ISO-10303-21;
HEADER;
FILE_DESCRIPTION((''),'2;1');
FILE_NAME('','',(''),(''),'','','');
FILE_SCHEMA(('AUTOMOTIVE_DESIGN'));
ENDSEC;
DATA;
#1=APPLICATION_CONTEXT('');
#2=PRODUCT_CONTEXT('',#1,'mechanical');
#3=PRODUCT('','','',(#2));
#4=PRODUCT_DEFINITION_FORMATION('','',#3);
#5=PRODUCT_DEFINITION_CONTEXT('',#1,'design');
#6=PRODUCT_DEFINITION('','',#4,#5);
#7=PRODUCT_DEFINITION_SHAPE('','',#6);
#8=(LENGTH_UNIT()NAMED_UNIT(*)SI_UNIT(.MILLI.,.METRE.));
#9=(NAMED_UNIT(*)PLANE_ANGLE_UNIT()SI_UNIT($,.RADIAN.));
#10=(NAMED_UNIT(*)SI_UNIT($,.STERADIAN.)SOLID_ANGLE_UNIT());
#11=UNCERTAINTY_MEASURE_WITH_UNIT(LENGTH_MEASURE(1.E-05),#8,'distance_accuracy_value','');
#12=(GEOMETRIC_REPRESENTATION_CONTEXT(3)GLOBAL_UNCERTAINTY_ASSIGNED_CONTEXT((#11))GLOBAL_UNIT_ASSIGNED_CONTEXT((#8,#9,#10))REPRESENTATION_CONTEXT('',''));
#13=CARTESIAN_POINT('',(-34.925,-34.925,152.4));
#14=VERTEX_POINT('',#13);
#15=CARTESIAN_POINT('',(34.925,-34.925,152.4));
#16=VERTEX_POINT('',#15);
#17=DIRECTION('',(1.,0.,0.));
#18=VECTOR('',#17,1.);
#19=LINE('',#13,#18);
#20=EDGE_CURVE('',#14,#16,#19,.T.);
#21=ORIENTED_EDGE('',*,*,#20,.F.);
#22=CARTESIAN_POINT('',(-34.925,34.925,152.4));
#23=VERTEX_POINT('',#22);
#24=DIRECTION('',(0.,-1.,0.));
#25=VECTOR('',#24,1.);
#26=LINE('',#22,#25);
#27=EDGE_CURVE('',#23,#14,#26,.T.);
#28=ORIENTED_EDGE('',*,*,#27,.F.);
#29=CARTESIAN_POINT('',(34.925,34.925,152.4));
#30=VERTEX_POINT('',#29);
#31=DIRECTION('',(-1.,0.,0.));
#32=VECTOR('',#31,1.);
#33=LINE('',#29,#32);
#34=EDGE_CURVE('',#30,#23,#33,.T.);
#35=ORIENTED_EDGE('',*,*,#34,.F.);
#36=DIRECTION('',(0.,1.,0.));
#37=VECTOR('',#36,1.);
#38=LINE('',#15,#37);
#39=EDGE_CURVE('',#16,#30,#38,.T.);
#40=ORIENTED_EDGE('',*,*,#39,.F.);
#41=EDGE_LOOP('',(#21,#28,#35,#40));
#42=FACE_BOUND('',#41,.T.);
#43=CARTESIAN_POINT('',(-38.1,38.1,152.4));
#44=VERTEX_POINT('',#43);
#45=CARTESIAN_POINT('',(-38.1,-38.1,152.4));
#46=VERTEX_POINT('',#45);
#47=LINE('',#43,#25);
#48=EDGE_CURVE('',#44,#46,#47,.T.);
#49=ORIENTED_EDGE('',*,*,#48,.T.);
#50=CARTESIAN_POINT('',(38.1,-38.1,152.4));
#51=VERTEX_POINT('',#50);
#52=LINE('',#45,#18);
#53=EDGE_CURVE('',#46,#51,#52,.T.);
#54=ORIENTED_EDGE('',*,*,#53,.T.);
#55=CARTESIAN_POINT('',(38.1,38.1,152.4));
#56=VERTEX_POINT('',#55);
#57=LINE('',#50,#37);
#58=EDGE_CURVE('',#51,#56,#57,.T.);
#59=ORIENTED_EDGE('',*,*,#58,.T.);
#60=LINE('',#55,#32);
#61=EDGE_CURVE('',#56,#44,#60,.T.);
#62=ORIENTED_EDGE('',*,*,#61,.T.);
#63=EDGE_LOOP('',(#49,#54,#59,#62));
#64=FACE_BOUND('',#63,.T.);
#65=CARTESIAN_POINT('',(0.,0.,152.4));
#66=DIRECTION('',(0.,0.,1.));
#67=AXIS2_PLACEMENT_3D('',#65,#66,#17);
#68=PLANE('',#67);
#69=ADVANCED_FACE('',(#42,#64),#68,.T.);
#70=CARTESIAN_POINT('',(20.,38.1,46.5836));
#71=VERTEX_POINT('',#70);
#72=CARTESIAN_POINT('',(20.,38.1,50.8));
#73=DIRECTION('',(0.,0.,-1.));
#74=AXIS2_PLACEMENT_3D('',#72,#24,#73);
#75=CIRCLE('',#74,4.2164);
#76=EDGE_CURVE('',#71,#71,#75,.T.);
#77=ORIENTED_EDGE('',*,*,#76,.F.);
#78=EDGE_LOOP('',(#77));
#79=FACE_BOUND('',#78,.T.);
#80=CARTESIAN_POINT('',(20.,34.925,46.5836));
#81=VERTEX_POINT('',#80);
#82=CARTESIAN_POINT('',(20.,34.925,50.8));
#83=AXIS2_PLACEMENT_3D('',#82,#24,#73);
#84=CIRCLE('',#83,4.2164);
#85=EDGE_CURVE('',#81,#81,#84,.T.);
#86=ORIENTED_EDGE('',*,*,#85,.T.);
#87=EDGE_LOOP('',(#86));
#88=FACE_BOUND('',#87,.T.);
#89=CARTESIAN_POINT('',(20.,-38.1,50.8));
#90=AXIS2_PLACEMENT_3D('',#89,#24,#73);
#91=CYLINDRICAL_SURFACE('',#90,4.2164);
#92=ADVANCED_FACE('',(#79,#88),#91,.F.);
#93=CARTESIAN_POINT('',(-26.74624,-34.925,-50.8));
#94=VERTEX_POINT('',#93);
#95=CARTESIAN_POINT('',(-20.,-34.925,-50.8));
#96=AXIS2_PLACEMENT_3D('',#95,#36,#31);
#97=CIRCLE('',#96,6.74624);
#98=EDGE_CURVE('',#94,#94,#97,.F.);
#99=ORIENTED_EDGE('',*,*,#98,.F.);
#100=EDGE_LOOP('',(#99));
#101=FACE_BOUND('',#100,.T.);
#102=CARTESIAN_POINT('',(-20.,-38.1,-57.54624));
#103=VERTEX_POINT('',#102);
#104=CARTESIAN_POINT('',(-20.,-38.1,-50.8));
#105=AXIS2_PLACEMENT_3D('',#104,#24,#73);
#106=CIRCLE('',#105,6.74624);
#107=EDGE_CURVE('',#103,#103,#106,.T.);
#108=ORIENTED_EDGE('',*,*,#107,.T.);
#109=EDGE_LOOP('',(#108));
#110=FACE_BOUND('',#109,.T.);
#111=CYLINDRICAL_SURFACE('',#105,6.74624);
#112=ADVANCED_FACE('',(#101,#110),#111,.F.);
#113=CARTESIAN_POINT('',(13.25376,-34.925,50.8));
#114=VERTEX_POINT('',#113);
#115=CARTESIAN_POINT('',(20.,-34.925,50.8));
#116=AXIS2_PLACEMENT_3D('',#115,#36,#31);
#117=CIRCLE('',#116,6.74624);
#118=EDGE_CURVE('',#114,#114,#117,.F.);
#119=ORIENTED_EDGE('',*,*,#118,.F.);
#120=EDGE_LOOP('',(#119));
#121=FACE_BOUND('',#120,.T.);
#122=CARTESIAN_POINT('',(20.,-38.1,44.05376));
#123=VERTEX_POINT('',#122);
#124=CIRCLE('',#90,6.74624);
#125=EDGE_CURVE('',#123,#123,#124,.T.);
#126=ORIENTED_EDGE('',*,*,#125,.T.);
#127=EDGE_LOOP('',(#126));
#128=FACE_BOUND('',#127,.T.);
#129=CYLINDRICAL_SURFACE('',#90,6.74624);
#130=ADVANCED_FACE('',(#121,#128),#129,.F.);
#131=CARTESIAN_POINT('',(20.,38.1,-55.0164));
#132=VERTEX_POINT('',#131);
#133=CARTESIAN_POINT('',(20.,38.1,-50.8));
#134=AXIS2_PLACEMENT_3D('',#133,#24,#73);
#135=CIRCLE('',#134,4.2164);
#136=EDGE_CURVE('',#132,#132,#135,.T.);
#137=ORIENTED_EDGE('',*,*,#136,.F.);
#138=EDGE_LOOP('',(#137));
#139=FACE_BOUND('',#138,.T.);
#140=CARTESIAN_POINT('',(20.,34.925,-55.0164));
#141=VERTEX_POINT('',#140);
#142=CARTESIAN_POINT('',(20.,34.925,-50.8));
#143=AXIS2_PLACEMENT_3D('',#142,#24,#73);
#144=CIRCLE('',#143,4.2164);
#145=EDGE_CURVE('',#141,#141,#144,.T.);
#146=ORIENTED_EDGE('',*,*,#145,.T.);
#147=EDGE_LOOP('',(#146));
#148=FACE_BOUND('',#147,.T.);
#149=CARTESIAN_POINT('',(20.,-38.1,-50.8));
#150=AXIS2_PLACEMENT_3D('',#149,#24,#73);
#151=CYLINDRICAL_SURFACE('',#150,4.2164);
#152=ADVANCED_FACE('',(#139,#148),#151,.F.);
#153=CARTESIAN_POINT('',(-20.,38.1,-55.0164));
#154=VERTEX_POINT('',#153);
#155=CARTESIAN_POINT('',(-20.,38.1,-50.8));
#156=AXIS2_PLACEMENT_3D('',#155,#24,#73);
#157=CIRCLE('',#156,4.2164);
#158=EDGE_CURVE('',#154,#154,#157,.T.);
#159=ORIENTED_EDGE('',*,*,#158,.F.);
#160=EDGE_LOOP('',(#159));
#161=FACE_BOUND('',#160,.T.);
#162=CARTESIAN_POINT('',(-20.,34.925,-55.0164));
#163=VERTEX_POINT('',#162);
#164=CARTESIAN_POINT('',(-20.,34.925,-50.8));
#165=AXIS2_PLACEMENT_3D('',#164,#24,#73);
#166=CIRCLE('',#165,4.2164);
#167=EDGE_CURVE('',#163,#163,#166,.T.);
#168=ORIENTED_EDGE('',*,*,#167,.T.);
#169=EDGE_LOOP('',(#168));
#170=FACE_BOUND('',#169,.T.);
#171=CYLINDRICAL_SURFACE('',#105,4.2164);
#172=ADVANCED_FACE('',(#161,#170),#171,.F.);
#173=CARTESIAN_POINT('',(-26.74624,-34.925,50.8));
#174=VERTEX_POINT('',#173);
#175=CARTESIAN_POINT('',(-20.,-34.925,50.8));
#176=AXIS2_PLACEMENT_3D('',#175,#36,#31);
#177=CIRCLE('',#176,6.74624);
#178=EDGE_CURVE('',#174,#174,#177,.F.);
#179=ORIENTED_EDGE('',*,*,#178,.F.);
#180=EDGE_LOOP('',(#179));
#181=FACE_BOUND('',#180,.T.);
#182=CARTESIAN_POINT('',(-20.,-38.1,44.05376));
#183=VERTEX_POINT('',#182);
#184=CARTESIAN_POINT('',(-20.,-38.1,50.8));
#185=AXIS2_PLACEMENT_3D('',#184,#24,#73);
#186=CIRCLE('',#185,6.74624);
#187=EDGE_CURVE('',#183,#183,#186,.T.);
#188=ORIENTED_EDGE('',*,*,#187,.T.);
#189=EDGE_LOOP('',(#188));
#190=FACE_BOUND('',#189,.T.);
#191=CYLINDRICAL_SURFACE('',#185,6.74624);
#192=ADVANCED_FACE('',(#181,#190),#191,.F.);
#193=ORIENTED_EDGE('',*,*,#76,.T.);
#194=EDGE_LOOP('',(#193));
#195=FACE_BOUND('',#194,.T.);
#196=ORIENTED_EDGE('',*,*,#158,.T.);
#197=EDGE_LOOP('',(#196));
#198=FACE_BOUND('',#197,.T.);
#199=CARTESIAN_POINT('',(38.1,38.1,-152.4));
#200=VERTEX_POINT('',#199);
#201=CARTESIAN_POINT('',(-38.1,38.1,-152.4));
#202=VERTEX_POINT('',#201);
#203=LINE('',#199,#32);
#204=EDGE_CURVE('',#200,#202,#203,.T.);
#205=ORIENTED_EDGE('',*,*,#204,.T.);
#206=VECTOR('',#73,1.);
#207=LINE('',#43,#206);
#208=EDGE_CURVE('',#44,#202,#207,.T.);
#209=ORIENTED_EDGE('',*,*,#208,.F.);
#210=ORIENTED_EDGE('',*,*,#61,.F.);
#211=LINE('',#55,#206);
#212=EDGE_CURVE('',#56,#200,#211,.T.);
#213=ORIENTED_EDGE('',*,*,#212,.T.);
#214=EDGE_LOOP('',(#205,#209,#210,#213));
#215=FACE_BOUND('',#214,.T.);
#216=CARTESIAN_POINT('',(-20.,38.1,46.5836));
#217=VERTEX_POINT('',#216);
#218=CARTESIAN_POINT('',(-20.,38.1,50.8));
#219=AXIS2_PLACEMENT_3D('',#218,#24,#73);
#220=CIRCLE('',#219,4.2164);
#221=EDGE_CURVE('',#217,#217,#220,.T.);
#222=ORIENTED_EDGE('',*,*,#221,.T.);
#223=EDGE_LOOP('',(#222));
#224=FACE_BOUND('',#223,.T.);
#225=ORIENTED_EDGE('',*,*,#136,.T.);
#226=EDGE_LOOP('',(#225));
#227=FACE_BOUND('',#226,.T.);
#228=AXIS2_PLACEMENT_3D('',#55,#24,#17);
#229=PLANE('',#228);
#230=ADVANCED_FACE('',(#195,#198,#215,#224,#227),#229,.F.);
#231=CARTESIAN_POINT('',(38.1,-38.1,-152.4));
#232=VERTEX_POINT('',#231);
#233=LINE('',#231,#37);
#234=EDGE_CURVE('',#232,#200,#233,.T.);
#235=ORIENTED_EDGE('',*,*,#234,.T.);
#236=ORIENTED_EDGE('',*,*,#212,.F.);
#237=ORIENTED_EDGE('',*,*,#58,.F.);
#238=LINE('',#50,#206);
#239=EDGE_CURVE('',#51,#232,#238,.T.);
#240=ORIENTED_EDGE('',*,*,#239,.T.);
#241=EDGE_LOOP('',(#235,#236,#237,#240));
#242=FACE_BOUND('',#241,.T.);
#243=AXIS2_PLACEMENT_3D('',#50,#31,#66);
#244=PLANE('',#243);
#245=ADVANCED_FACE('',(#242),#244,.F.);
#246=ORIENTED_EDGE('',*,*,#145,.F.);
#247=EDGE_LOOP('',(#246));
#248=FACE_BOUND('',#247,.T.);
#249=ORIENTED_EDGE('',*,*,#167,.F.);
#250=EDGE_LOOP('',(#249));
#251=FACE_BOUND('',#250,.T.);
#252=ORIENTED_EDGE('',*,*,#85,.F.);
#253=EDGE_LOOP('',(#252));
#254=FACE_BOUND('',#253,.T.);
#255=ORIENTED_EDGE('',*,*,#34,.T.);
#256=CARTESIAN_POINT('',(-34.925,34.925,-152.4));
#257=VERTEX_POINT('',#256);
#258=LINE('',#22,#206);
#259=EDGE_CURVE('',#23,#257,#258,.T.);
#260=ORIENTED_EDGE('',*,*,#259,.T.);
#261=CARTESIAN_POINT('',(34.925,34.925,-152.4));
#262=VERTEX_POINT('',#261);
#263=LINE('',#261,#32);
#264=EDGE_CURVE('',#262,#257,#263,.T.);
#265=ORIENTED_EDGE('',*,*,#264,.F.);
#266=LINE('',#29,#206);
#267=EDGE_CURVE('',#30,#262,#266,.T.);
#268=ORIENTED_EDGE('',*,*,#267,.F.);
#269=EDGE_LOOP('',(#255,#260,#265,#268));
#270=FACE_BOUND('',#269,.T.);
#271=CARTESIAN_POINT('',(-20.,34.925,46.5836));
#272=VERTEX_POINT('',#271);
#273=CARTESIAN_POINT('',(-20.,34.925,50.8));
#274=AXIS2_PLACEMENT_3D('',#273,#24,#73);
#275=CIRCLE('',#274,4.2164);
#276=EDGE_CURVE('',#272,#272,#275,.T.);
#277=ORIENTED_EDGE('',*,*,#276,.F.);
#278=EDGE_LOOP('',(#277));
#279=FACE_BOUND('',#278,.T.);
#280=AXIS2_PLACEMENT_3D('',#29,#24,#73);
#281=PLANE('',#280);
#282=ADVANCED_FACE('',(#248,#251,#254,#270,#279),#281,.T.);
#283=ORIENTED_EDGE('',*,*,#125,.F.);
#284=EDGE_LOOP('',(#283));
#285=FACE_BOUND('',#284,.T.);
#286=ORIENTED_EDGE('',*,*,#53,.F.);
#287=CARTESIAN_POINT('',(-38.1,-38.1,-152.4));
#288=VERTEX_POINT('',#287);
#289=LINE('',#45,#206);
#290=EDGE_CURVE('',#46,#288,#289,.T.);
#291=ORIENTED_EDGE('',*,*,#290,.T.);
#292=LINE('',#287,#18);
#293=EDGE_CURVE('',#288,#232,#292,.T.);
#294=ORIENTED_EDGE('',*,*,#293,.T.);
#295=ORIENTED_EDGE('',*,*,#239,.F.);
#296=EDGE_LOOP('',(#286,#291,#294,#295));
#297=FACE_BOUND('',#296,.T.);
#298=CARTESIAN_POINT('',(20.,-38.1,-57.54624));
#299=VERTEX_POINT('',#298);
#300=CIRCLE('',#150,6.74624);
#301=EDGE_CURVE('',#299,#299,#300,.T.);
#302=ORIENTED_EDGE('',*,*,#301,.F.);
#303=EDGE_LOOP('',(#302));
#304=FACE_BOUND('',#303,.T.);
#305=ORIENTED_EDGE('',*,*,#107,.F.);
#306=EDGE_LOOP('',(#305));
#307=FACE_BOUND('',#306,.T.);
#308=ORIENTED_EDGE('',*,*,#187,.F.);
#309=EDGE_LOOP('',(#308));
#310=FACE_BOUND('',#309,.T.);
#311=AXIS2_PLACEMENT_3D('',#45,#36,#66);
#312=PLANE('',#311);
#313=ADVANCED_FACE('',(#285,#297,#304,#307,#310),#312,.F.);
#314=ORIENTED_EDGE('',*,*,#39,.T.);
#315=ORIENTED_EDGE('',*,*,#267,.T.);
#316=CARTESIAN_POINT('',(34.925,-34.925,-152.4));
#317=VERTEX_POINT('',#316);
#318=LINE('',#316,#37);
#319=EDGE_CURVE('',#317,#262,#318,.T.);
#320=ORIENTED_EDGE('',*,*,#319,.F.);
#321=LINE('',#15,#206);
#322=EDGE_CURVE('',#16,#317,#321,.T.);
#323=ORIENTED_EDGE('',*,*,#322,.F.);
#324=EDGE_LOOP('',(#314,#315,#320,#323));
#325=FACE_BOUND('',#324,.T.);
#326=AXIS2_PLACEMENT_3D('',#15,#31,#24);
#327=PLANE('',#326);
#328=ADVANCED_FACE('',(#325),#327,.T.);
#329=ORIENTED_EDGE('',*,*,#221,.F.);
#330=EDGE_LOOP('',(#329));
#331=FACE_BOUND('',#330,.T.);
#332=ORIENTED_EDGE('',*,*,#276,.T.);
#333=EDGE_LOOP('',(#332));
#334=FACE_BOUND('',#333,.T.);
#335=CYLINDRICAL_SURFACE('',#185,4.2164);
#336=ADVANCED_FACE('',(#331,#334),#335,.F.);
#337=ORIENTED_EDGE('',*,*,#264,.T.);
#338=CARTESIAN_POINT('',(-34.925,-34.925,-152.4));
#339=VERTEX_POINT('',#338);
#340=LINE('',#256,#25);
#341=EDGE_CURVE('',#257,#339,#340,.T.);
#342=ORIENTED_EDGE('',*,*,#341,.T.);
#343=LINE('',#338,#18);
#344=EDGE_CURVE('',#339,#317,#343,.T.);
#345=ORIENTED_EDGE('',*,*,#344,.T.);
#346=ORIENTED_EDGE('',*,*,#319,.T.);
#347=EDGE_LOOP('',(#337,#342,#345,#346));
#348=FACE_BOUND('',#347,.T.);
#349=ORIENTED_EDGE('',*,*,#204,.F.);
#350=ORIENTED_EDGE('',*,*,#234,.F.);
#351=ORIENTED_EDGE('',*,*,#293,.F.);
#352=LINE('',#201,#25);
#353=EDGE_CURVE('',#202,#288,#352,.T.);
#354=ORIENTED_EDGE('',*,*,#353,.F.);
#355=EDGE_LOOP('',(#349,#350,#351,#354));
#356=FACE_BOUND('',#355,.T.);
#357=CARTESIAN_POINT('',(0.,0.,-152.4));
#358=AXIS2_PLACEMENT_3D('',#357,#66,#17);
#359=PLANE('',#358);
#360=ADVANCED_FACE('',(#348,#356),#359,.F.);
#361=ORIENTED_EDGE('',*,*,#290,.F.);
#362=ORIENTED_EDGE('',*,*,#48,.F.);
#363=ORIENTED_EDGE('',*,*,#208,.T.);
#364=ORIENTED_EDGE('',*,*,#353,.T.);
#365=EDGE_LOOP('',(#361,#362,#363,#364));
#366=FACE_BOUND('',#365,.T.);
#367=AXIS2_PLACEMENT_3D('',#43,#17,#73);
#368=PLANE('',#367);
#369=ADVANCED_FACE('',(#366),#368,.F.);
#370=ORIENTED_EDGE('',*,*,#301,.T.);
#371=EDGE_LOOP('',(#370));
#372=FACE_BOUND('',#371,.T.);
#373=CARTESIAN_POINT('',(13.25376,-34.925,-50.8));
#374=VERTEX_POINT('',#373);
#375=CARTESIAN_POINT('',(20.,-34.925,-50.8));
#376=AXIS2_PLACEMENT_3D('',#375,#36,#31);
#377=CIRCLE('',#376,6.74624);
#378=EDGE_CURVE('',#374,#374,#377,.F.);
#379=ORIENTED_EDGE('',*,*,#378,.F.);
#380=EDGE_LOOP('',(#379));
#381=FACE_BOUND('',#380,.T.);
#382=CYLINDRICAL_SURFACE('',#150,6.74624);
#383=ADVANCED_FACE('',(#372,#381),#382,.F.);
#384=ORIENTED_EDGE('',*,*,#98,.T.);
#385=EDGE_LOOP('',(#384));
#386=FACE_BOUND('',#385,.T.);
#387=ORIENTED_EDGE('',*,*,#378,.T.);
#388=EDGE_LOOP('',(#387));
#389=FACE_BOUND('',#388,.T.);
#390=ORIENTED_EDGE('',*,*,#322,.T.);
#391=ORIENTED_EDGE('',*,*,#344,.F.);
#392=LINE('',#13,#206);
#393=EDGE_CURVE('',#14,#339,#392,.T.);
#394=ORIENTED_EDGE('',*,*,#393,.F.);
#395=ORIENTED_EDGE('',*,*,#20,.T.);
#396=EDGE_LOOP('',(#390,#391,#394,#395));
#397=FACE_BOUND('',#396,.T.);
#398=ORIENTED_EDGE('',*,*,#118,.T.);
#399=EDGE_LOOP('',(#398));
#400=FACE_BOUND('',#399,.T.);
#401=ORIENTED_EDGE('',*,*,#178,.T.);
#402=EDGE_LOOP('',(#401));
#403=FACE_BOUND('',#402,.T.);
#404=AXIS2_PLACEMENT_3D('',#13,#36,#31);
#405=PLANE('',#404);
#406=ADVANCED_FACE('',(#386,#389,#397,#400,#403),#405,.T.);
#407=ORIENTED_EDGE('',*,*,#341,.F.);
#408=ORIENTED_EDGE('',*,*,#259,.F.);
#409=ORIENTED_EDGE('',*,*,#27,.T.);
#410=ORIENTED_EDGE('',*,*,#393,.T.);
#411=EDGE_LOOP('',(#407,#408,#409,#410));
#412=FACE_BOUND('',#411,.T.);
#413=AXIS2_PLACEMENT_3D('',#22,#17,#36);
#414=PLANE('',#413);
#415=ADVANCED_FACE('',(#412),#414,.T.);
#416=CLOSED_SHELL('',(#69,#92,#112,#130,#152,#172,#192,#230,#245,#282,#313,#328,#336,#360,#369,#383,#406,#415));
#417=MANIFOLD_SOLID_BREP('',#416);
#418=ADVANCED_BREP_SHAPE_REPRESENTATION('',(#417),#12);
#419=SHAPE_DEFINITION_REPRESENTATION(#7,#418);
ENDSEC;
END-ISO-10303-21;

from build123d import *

# Parameters (mm, degrees)
BOSS_EXTRUDE1_DEPTH         = 152.4
BOSS_EXTRUDE1_DEPTH_BACK    = 152.4
SKETCH3_W                   = 76.2
SKETCH3_H                   = 76.2
SKETCH3_W_2                 = 69.85
SKETCH3_H_2                 = 69.85
F_5_16_CLEARANCE_HOLE3_D    = 8.4328
F_1_2_CLEARANCE_HOLE1_D     = 13.49248
F_1_2_CLEARANCE_HOLE1_DEPTH = 3.175
F_1_2_CLEARANCE_HOLE1_TIP   = 4.053549943


with BuildPart() as part:
    # Sketch3 → Boss-Extrude1 (new, two sides: drawn at the far end of the back side and taken through both)
    with BuildSketch(Plane.XY.offset(-BOSS_EXTRUDE1_DEPTH_BACK)):
        Rectangle(SKETCH3_W, SKETCH3_H)
        Rectangle(SKETCH3_W_2, SKETCH3_H_2, mode=Mode.SUBTRACT)
    extrude(amount=BOSS_EXTRUDE1_DEPTH + BOSS_EXTRUDE1_DEPTH_BACK)

    # 5/16 Clearance Hole3 (through all)
    with Locations(Plane(origin=(0, -38.1, 0), x_dir=(-1, 0, 0), z_dir=(0, -1, 0))):
        with Locations((20, 50.8), (-20, -50.8), (-20, 50.8), (20, -50.8)):
            Hole(F_5_16_CLEARANCE_HOLE3_D / 2)

    # 1/2 Clearance Hole1
    with Locations(Plane(origin=(0, -38.1, 0), x_dir=(-1, 0, 0), z_dir=(0, -1, 0))):
        with Locations((-20, 50.8), (20, 50.8), (-20, -50.8), (20, -50.8)):
            Hole(F_1_2_CLEARANCE_HOLE1_D / 2, depth=F_1_2_CLEARANCE_HOLE1_DEPTH)
            with Locations((0, 0, -(F_1_2_CLEARANCE_HOLE1_DEPTH + F_1_2_CLEARANCE_HOLE1_TIP / 2))):  # 118° drill point
                Cone(0, F_1_2_CLEARANCE_HOLE1_D / 2, F_1_2_CLEARANCE_HOLE1_TIP, mode=Mode.SUBTRACT)


solid = part.part
